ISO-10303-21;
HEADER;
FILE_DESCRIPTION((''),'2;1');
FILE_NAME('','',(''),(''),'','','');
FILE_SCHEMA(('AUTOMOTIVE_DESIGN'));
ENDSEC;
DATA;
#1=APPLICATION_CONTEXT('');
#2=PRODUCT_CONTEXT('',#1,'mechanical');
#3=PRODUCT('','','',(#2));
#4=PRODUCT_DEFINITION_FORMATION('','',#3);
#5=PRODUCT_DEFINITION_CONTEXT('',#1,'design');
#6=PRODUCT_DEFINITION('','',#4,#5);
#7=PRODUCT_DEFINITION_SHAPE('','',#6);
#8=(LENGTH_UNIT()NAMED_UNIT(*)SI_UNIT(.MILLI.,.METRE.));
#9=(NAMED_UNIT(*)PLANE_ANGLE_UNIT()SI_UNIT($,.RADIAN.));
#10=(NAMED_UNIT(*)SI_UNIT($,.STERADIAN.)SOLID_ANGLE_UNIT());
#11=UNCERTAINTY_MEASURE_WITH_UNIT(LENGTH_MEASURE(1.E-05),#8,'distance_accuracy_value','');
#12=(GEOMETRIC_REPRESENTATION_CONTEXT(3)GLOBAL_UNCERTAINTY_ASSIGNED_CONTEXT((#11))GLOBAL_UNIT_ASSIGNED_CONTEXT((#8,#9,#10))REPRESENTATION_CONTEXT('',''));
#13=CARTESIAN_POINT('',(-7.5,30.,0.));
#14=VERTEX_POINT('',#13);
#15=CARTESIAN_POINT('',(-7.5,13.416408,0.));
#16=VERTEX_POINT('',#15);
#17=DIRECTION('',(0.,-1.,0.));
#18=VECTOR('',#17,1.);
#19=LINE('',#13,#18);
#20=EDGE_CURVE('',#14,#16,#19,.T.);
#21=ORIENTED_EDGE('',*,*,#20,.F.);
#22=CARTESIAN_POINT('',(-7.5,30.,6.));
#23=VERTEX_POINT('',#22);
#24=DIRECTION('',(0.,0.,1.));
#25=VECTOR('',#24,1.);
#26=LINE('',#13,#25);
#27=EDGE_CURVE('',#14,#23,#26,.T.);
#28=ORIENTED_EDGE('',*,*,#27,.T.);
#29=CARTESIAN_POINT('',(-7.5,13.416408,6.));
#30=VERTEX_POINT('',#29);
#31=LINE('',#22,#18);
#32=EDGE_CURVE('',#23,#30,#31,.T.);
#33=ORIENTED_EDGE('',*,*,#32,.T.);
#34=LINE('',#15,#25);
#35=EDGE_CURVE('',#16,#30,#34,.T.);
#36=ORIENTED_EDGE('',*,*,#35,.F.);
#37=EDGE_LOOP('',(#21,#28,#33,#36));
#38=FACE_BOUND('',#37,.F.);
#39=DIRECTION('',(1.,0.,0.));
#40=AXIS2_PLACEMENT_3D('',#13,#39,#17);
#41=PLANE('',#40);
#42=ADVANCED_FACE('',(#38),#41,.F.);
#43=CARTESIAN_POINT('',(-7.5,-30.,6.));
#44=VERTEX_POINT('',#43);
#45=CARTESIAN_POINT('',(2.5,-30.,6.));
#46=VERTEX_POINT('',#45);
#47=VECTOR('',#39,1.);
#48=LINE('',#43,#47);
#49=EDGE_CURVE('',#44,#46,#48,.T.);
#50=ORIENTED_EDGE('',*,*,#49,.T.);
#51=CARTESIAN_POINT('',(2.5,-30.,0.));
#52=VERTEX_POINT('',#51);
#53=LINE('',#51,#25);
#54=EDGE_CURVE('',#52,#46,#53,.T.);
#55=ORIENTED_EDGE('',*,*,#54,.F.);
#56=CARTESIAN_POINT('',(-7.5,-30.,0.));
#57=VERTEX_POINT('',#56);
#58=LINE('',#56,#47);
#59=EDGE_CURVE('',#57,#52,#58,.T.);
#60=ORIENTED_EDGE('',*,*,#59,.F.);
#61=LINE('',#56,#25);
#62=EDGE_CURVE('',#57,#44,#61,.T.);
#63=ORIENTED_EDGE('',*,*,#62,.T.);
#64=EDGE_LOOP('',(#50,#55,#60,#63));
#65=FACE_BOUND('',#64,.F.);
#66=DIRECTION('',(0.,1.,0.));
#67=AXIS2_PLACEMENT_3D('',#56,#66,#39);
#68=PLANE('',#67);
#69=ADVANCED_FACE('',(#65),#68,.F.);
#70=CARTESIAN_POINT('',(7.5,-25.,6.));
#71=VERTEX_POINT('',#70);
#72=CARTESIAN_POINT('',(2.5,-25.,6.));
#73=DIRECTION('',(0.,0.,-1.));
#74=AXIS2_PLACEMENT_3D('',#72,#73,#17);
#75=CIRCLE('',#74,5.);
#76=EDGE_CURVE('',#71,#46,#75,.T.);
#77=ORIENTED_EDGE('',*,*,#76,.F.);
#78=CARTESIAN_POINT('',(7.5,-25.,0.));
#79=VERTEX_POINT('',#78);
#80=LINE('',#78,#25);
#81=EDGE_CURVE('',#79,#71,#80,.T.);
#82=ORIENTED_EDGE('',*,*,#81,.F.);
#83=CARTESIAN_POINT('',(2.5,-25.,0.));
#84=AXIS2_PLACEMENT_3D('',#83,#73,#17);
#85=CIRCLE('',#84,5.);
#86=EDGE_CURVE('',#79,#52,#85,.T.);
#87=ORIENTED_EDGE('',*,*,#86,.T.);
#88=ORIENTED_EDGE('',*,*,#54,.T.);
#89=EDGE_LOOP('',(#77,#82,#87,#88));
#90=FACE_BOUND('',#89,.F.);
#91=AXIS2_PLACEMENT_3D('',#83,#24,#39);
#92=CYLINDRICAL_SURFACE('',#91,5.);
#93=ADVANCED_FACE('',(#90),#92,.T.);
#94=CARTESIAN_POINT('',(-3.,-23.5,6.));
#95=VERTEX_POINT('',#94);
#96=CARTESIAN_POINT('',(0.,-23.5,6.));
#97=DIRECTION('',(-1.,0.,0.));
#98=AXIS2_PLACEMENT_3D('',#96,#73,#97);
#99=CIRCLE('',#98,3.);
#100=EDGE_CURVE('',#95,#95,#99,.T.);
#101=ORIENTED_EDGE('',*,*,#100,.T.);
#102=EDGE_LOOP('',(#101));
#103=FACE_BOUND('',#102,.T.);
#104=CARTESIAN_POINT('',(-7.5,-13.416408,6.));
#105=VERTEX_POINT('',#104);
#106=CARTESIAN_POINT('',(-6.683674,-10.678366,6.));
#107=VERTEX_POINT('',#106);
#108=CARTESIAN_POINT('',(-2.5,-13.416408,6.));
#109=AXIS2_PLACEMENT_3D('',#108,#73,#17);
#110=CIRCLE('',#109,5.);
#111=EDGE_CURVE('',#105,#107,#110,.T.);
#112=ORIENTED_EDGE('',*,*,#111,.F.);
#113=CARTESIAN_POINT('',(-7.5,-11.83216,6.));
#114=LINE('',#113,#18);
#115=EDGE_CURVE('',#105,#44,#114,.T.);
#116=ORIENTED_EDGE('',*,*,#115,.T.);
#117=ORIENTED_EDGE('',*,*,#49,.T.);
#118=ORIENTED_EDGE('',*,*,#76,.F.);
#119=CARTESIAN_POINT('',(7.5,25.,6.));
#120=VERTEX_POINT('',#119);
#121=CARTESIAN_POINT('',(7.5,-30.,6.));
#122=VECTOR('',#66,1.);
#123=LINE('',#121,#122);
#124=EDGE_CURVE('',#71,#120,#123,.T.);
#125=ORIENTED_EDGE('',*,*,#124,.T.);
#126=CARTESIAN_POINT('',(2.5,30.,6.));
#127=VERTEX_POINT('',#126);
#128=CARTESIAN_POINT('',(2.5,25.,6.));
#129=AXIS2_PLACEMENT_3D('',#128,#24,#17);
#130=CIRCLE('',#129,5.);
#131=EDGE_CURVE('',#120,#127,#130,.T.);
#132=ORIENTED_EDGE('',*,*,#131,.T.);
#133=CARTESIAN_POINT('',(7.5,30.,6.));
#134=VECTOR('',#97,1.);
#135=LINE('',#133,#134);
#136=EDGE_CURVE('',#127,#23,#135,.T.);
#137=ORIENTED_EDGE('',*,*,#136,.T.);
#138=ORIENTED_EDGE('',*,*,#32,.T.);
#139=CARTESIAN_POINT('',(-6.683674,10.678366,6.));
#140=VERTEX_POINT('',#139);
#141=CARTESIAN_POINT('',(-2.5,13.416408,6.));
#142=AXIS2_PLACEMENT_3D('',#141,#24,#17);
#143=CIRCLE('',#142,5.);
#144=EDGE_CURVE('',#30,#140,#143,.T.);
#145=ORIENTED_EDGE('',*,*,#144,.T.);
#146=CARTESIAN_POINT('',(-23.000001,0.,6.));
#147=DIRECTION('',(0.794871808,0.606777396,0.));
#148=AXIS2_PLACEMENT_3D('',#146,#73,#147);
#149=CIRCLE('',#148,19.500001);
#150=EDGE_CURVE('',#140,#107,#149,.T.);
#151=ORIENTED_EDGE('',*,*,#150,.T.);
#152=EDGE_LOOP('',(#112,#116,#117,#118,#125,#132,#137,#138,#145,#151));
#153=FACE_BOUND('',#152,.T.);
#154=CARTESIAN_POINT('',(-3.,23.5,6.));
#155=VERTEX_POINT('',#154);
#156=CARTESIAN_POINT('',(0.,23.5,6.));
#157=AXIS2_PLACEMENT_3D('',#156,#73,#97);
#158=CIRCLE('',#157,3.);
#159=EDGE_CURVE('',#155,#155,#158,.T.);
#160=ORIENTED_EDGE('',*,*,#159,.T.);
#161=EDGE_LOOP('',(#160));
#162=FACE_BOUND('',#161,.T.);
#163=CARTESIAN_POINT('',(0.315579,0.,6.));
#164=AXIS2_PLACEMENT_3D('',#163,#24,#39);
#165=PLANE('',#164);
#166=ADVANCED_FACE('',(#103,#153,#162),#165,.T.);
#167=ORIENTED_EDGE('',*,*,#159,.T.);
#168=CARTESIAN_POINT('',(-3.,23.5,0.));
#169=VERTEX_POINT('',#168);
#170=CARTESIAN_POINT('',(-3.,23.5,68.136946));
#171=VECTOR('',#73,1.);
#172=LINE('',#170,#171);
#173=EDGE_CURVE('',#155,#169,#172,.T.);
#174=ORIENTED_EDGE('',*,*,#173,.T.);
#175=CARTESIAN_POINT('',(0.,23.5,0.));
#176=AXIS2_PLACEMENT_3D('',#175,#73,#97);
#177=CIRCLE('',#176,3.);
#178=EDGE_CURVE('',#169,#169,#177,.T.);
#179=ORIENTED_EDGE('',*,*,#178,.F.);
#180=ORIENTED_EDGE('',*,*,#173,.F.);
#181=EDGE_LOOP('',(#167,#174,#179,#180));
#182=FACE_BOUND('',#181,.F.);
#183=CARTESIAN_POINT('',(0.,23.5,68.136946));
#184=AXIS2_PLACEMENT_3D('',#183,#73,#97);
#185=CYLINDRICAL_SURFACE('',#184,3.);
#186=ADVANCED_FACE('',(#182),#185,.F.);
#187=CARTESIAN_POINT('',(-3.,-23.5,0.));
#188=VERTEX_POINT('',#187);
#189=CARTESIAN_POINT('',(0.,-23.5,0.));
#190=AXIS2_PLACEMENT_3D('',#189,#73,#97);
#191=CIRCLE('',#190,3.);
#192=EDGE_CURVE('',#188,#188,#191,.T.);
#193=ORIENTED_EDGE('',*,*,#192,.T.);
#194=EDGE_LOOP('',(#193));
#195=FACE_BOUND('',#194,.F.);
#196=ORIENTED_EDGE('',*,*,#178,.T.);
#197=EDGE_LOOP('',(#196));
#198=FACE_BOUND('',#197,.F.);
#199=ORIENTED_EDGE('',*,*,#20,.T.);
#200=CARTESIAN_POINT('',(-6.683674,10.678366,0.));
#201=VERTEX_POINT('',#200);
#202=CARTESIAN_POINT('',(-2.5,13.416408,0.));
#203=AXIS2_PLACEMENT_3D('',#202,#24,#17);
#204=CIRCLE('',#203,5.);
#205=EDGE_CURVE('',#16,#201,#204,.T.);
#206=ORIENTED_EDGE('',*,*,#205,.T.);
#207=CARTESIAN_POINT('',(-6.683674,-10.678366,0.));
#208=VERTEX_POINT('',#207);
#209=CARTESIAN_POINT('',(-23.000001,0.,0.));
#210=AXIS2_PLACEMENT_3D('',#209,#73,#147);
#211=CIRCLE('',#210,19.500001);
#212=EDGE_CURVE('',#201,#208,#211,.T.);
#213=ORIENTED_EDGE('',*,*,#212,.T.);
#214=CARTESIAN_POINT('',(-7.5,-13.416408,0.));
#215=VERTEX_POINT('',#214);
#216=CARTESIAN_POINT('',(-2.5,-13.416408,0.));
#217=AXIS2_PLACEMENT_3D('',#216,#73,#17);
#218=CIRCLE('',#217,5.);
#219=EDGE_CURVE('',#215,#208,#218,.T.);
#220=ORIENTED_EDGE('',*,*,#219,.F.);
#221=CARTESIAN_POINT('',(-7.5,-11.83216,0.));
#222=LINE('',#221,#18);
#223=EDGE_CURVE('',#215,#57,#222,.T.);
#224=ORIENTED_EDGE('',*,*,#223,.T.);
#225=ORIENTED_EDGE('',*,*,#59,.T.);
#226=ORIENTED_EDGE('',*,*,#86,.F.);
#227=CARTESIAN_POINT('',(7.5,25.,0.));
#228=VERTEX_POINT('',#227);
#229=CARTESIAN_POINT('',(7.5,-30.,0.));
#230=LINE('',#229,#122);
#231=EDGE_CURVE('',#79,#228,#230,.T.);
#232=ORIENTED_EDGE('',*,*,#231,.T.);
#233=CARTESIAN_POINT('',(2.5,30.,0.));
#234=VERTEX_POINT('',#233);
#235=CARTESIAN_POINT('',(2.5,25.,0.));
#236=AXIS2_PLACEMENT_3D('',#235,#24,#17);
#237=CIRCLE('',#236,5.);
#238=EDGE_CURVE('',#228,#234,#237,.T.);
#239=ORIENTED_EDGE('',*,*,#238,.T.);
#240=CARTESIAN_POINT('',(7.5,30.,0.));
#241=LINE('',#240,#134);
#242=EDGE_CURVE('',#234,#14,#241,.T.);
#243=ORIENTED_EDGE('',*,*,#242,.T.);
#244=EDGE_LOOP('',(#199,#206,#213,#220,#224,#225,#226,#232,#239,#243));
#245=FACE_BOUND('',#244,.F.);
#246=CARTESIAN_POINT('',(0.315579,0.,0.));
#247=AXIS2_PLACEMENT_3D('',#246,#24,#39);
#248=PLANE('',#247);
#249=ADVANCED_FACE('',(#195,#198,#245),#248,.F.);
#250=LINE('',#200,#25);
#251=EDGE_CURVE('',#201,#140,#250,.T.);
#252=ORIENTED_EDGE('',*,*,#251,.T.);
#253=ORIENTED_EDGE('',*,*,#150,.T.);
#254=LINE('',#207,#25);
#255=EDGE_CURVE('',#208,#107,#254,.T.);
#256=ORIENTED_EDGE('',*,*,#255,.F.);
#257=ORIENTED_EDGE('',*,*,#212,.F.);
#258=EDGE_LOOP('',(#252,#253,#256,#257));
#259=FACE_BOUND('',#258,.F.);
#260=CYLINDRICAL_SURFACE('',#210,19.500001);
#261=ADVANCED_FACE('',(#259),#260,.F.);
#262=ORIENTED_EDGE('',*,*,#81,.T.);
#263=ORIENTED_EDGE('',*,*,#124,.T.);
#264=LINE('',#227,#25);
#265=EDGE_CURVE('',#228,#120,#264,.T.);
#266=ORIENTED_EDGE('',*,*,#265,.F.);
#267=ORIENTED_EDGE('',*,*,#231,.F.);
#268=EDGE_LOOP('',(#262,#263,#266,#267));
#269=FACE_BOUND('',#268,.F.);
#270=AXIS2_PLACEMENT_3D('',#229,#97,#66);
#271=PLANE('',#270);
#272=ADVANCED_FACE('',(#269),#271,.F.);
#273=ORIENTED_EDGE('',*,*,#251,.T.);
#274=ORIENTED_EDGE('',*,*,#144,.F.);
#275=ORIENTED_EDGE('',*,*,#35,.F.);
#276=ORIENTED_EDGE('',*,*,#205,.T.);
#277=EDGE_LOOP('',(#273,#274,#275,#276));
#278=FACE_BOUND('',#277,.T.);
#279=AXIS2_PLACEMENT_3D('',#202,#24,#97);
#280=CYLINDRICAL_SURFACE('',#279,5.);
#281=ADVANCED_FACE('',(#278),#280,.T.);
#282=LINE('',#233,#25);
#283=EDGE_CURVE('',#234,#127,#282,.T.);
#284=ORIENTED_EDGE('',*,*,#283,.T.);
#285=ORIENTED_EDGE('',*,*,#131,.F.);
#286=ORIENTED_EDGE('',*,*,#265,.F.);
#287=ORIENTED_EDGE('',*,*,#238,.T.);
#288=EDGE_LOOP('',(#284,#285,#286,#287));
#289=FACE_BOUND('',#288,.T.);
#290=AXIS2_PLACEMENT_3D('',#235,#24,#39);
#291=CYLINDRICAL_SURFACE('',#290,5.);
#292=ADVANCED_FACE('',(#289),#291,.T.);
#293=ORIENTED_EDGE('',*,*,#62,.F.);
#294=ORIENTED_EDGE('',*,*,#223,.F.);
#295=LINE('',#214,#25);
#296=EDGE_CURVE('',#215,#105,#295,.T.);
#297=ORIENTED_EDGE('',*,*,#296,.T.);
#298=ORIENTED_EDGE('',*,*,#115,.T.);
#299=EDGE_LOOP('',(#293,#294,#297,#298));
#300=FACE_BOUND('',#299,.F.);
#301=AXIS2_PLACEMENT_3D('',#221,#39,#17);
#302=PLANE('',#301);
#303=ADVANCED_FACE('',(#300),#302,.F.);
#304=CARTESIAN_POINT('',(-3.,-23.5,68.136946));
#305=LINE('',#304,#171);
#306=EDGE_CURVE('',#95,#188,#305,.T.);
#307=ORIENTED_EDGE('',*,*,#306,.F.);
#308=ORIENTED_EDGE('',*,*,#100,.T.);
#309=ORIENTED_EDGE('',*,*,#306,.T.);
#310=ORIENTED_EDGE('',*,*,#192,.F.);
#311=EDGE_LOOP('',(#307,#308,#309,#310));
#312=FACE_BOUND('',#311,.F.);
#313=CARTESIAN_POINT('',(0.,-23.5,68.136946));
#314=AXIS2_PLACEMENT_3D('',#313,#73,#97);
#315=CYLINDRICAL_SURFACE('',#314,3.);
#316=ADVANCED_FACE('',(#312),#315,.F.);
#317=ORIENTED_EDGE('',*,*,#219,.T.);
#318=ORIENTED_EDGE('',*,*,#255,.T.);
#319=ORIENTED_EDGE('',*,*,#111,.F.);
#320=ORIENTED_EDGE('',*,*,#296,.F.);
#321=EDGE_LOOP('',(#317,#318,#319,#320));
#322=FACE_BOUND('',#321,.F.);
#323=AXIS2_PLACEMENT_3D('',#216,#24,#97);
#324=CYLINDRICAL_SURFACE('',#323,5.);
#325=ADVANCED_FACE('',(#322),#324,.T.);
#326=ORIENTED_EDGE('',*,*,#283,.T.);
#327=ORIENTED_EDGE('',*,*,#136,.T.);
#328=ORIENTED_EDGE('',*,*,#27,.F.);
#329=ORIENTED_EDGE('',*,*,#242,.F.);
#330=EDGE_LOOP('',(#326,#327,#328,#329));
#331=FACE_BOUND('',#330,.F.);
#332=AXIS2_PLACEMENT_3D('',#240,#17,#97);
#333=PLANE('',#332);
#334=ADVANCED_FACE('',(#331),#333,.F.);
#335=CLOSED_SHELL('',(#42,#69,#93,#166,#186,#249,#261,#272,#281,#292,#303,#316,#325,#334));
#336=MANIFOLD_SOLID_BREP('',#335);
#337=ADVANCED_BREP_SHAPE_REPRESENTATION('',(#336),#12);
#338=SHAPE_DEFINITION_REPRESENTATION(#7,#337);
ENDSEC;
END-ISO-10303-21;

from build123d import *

# Parameters (mm, degrees)
F1_DEPTH = 6
F3_D     = 6
F4_R     = 5


with BuildPart() as f1:
    # F0 (on Top) → F1 (new body)
    with BuildSketch(Plane.XY):
        with BuildLine():
            Line((7.5, -30), (7.5, 30))
            Line((7.5, 30), (-7.5, 30))
            Line((-7.5, 30), (-7.5, 11.83216))
            ThreePointArc((-7.5, 11.83216), (-3.5, 0), (-7.5, -11.83216))
            Line((-7.5, -11.83216), (-7.5, -30))
            Line((-7.5, -30), (7.5, -30))
        make_face()
    extrude(amount=F1_DEPTH)

    # F3 (through all)
    with Locations(Plane.XY.offset(6)):
        with Locations((0, 23.5), (0, -23.5)):
            Hole(F3_D / 2)

    # F4
    f4_edges = [f1.edges().sort_by_distance(p)[0] for p in [
        (7.5, 30, 3),
        (7.5, -30, 3),
        (-7.5, -11.83216, 3),
        (-7.5, 11.83216, 3),
    ]]
    fillet(f4_edges, radius=F4_R)


solid = f1.part
